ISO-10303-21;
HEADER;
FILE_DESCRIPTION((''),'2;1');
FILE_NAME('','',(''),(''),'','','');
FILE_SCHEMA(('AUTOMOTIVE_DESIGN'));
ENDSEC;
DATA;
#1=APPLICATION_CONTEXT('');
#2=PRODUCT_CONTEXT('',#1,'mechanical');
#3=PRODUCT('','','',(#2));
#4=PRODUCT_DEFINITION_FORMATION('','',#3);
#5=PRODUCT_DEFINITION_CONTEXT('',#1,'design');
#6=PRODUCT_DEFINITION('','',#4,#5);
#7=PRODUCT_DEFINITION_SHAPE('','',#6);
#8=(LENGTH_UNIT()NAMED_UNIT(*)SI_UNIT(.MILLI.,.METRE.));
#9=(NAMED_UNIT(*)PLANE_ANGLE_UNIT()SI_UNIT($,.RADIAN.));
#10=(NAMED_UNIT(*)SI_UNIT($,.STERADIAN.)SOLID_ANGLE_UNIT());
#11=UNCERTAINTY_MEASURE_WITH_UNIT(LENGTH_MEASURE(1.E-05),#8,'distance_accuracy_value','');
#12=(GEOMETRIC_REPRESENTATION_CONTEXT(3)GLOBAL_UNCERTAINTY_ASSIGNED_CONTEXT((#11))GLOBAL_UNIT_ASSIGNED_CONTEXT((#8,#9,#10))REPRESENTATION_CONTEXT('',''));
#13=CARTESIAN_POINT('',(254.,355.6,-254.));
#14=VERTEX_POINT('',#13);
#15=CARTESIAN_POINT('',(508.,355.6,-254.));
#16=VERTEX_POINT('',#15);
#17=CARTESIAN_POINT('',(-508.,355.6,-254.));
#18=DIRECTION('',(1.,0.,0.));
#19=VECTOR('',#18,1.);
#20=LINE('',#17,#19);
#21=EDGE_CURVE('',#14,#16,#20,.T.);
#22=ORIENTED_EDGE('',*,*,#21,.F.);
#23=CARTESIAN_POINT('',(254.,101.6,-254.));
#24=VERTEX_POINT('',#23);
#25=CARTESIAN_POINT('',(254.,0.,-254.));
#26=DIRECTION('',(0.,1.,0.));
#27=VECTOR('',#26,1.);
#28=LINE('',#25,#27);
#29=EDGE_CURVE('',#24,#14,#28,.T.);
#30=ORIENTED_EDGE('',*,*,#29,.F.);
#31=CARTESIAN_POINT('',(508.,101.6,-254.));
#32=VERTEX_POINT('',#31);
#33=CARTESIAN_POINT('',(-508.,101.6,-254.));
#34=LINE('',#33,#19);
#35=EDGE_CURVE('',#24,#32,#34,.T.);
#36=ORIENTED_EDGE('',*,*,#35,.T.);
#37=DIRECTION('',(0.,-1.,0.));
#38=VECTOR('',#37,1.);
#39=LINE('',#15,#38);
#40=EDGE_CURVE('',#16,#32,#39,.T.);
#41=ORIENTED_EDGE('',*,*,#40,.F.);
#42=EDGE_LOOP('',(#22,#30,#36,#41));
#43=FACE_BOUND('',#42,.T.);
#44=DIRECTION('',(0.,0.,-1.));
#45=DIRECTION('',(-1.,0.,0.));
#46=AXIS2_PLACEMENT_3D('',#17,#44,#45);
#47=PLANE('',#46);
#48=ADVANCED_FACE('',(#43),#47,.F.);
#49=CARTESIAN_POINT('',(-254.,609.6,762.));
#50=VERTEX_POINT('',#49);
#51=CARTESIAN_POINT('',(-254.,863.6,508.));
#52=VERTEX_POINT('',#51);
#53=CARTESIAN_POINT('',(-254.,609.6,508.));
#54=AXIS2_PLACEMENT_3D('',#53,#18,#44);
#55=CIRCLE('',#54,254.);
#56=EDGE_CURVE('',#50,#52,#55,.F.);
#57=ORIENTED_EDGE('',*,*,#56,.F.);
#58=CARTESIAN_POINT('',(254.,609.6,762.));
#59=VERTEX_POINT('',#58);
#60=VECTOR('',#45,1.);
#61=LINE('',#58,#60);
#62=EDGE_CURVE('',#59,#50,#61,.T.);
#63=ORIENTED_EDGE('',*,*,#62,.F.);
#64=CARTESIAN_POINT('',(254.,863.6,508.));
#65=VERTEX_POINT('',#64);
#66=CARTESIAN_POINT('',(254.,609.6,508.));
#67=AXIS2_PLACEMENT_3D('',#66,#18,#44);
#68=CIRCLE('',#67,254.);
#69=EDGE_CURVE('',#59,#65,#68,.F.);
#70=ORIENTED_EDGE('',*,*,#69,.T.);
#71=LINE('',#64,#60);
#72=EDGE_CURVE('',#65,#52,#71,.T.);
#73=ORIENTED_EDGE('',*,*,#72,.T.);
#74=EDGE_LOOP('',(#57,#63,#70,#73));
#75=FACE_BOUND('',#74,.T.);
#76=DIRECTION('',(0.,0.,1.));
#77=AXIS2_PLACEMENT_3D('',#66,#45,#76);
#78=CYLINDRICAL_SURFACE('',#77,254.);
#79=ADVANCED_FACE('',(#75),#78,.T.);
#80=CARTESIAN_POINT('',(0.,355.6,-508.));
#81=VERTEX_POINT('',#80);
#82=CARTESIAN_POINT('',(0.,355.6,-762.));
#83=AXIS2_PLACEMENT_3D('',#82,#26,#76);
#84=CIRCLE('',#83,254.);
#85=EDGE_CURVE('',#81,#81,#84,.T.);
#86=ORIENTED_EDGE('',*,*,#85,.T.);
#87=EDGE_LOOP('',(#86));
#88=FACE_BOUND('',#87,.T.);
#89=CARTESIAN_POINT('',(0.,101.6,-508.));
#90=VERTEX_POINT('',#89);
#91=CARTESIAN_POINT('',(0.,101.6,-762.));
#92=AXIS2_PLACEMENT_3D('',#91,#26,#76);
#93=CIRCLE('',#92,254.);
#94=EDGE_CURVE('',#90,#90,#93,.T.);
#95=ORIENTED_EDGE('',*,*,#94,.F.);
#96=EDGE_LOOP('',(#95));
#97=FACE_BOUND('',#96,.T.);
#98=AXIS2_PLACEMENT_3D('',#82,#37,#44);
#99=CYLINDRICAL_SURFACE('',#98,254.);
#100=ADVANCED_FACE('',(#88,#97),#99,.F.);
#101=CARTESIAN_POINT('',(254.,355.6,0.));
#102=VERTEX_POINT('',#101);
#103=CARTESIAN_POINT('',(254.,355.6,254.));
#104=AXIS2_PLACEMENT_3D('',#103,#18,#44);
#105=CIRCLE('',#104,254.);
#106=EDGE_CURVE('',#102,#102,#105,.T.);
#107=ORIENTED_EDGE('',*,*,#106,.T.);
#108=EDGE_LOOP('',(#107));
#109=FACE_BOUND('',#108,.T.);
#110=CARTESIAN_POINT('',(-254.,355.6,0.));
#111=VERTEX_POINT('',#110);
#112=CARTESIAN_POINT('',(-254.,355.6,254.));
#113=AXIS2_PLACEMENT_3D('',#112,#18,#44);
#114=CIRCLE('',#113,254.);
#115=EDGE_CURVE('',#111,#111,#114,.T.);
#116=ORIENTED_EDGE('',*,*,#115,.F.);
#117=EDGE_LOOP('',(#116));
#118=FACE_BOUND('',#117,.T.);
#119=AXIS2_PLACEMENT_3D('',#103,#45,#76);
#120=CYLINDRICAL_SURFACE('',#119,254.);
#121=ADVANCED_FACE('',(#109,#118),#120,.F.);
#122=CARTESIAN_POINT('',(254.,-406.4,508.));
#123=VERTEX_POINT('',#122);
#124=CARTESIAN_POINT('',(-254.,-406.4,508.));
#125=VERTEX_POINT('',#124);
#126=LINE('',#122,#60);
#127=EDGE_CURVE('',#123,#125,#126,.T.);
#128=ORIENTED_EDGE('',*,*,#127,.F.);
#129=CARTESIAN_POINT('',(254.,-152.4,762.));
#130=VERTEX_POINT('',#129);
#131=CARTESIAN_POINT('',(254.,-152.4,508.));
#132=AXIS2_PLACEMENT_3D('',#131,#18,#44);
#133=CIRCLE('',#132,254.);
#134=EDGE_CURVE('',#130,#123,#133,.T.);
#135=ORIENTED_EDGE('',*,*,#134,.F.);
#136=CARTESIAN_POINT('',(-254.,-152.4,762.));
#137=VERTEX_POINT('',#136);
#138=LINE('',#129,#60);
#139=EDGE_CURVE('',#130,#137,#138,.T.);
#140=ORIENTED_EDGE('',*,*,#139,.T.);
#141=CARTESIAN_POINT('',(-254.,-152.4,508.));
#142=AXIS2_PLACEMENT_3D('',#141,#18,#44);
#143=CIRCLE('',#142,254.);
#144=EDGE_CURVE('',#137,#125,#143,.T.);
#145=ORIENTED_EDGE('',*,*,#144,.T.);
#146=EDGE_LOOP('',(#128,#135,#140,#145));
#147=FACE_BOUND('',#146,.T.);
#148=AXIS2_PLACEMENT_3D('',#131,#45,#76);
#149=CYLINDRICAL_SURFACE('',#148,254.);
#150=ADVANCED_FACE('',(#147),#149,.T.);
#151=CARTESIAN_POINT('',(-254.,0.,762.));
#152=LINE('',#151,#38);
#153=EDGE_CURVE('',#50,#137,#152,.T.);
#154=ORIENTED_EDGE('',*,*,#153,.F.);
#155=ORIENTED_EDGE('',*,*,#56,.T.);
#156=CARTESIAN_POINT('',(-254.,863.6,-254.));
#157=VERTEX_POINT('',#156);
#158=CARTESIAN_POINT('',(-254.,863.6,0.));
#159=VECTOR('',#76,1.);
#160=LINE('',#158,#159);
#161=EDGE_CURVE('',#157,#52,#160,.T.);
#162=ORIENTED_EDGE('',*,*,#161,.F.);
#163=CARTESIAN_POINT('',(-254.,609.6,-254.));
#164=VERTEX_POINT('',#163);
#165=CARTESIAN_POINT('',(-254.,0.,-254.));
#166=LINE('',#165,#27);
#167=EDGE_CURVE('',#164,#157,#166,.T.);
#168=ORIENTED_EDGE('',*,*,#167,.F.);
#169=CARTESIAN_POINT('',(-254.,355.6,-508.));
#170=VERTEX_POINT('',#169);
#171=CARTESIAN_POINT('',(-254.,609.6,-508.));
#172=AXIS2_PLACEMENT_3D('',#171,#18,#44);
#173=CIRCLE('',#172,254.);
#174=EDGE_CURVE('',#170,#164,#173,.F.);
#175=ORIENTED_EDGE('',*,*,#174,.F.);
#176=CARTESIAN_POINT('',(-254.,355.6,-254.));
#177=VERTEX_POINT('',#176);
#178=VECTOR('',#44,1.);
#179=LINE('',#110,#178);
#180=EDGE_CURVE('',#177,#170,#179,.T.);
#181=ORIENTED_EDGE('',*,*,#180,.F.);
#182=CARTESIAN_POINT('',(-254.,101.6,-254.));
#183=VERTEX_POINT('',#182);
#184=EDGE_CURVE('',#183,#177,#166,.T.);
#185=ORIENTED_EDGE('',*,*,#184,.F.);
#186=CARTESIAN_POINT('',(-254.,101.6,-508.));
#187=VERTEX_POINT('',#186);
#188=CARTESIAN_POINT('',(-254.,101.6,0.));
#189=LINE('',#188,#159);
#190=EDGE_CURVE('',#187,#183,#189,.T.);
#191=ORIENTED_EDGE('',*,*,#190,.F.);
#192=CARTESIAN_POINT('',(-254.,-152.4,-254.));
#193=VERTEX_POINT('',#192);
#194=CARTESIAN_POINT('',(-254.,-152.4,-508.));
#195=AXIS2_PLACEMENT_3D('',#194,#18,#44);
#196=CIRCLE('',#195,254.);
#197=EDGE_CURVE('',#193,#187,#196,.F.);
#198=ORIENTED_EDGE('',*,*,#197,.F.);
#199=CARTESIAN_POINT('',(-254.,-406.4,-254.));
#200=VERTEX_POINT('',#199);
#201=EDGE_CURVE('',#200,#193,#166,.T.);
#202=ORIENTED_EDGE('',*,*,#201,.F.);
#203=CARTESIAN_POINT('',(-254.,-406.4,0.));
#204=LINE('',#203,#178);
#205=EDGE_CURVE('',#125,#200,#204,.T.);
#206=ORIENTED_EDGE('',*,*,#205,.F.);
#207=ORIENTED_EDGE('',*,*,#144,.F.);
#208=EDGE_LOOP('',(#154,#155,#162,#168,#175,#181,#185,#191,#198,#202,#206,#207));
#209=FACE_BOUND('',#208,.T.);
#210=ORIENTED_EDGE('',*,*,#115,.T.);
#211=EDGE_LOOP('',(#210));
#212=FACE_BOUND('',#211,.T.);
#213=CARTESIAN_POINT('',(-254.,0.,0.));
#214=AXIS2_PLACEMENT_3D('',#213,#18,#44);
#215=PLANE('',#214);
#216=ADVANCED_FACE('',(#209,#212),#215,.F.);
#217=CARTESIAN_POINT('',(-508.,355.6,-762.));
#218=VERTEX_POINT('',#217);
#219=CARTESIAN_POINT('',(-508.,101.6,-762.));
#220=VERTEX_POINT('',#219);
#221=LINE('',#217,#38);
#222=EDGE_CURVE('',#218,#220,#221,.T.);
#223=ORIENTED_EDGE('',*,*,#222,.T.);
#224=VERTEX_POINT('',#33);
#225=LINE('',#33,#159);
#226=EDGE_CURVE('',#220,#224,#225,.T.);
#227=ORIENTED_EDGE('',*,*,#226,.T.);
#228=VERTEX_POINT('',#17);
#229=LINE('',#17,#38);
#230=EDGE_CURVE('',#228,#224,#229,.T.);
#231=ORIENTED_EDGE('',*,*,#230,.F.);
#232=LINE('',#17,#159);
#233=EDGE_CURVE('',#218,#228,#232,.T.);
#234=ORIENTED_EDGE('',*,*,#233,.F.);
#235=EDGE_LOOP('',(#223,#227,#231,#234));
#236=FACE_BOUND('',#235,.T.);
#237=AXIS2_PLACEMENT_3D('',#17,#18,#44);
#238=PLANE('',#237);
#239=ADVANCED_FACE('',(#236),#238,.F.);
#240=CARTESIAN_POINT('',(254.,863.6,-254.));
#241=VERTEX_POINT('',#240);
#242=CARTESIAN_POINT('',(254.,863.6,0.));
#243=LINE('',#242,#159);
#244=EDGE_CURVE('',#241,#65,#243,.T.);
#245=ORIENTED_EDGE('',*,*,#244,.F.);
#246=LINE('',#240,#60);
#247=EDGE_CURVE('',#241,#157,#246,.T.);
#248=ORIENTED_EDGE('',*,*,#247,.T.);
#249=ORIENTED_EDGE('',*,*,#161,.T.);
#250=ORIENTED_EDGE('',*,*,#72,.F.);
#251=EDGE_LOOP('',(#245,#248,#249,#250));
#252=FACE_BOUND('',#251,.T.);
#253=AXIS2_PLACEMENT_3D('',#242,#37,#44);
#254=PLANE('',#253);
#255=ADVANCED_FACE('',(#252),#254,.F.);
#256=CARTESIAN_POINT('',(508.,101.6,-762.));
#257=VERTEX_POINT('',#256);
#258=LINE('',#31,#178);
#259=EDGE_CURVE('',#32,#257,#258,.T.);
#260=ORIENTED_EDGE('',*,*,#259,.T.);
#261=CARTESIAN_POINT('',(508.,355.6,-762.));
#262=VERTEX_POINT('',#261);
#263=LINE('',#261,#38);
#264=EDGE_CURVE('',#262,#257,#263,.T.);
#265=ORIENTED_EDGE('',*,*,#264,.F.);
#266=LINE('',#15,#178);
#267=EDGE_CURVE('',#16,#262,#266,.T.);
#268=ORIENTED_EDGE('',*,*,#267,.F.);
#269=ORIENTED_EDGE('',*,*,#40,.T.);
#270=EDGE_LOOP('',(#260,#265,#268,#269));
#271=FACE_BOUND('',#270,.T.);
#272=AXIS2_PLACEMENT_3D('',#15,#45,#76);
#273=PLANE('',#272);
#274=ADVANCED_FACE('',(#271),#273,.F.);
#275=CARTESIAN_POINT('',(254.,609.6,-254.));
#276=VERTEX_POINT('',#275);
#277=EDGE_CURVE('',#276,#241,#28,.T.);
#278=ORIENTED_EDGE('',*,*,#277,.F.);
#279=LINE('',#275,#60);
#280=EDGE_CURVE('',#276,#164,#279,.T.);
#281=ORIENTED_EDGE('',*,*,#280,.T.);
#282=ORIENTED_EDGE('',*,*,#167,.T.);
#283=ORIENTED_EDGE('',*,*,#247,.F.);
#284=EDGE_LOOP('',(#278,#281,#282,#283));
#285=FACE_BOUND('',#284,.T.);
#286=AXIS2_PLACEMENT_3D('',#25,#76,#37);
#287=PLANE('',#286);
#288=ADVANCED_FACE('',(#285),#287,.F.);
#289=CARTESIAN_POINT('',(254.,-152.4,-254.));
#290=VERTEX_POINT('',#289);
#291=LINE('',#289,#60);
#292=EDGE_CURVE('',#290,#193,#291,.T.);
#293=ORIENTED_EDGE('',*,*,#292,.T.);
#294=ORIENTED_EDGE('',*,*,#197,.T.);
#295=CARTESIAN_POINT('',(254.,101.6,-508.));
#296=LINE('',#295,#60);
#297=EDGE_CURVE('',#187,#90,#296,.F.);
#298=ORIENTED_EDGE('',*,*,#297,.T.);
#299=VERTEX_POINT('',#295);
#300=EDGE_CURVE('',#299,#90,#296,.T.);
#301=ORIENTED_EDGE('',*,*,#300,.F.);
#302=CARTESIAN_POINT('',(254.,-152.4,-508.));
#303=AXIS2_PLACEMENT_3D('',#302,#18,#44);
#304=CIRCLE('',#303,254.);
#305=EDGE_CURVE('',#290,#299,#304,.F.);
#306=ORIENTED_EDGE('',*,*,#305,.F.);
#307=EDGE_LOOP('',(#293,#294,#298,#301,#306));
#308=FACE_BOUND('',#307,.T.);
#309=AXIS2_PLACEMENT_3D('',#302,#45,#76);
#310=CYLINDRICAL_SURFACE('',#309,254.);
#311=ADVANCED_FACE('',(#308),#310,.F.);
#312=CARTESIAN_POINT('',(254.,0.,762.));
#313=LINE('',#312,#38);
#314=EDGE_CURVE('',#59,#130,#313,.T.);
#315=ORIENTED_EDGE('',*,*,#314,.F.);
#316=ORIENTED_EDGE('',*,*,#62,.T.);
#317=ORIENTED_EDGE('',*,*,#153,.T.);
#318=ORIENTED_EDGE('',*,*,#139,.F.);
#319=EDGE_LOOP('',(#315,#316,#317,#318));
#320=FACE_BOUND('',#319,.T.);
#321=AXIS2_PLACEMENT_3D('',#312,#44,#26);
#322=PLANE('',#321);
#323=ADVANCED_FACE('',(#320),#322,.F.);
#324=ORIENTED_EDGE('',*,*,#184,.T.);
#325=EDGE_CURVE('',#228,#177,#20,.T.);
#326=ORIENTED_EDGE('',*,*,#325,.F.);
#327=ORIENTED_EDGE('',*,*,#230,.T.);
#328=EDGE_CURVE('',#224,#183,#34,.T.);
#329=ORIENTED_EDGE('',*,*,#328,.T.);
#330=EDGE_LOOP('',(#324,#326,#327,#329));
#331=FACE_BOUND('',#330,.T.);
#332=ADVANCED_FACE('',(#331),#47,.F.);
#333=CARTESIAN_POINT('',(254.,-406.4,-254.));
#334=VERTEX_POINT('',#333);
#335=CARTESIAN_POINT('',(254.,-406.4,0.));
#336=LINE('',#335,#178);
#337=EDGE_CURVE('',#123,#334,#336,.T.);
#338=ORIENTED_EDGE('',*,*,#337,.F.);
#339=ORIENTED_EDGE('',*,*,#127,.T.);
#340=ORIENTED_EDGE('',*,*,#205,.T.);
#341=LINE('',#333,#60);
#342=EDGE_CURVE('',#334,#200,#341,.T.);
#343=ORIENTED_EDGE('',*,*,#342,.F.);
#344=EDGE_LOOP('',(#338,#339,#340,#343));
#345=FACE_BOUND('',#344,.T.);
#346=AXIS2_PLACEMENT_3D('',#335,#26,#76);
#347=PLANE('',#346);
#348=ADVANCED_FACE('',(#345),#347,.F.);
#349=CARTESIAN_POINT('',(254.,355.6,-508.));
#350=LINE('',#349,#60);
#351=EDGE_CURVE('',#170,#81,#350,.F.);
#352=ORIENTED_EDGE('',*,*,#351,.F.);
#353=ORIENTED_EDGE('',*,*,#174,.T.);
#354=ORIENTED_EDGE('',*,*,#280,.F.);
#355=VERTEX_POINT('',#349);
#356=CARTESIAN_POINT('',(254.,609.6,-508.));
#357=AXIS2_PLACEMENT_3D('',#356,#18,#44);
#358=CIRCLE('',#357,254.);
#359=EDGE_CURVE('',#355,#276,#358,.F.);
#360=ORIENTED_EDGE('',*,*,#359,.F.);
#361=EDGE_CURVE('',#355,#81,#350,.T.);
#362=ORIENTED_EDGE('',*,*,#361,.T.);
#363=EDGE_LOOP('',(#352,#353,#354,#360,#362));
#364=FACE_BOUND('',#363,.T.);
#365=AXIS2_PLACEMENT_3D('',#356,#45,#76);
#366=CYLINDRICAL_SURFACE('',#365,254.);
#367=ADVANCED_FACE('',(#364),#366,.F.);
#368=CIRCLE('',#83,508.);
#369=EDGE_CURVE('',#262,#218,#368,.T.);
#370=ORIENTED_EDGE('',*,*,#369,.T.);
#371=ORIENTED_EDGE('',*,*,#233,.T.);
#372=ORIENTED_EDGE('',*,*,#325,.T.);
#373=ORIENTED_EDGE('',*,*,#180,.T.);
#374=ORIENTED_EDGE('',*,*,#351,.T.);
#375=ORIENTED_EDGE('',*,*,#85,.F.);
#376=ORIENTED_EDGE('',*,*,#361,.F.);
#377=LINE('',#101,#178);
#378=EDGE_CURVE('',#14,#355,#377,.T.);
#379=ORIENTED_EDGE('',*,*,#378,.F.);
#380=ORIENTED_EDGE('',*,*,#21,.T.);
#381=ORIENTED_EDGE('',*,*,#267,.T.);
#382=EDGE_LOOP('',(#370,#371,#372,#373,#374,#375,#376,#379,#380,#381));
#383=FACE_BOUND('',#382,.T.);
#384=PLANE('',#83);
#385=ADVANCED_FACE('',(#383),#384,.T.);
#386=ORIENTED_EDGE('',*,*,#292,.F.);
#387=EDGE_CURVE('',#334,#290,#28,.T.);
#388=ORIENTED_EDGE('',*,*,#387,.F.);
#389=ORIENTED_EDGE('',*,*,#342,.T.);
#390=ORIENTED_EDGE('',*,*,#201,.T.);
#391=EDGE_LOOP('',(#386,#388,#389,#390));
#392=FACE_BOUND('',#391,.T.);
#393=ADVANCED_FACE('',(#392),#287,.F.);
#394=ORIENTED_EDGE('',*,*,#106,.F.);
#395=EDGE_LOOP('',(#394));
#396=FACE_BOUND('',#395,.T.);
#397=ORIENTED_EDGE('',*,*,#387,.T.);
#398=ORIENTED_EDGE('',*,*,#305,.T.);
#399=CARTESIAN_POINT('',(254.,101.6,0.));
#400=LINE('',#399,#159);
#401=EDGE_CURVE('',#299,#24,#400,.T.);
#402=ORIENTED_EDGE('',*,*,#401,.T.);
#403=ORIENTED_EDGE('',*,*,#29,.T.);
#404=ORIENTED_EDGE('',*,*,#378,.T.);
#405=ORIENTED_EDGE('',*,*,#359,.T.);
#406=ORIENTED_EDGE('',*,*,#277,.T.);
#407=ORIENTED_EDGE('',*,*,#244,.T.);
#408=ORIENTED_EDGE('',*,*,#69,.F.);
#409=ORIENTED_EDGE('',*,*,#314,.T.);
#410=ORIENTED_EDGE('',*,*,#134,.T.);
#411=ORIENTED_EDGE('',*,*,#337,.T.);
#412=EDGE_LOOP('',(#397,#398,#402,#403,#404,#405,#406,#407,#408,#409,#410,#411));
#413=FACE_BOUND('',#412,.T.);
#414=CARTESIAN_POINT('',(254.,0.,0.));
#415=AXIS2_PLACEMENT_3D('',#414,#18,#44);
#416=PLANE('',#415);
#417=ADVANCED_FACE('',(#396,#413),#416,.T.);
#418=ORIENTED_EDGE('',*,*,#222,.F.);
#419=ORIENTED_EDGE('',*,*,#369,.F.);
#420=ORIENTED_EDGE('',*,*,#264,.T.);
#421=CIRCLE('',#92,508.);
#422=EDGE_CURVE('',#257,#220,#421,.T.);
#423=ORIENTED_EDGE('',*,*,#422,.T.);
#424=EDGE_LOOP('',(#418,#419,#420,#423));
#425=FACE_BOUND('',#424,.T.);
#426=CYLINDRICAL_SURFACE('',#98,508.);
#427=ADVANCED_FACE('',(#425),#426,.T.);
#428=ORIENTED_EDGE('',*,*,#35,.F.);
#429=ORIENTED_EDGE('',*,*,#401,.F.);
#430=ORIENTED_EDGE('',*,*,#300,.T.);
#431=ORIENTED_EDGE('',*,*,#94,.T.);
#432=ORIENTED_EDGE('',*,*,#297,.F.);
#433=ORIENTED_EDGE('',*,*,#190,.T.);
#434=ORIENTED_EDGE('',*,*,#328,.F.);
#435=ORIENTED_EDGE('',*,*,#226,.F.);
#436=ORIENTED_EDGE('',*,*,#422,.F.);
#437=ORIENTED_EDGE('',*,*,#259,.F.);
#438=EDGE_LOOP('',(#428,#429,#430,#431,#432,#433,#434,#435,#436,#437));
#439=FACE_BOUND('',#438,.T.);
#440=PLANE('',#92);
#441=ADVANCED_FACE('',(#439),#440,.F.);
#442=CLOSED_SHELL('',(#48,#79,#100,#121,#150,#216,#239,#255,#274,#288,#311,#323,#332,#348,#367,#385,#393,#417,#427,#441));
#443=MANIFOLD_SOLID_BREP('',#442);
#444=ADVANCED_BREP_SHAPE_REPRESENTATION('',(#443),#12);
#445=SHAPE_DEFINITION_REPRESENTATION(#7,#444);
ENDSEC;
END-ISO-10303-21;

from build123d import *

# Parameters (mm, degrees)
SKETCH1_R           = 254
BOSS_EXTRUDE2_DEPTH = 254
SKETCH3_R           = 254
BOSS_EXTRUDE3_DEPTH = 254


with BuildPart() as part:
    # Sketch1 → Boss-Extrude2 (new, symmetric)
    with BuildSketch(Plane(origin=(0, 0, 0), x_dir=(0, 0, -1), z_dir=(1, 0, 0))):
        with BuildLine():
            ThreePointArc((-508, 863.6), (-687.605122421, 789.205122421), (-762, 609.6))
            Line((-762, 609.6), (-762, -152.4))
            ThreePointArc((-762, -152.4), (-687.605122421, -332.005122421), (-508, -406.4))
            Line((-508, -406.4), (254, -406.4))
            Line((254, -406.4), (254, -152.4))
            ThreePointArc((254, -152.4), (328.394877579, 27.205122421), (508, 101.6))
            Line((508, 101.6), (254, 101.6))
            Line((254, 101.6), (254, 355.6))
            Line((254, 355.6), (508, 355.6))
            ThreePointArc((508, 355.6), (328.394877579, 429.994877579), (254, 609.6))
            Line((254, 609.6), (254, 863.6))
            Line((254, 863.6), (-508, 863.6))
        make_face()
        with Locations((-254, 355.6)):
            Circle(SKETCH1_R, mode=Mode.SUBTRACT)
    extrude(amount=BOSS_EXTRUDE2_DEPTH, both=True)

    # Sketch3 → Boss-Extrude3 (add)
    with BuildSketch(Plane(origin=(0, 101.6, 0), x_dir=(1, 0, 0), z_dir=(0, 1, 0))):
        with BuildLine():
            Line((-508, 254), (508, 254))
            Line((508, 254), (508, 762))
            ThreePointArc((508, 762), (0, 1270), (-508, 762))
            Line((-508, 762), (-508, 254))
        make_face()
        with Locations((0, 762)):
            Circle(SKETCH3_R, mode=Mode.SUBTRACT)
    extrude(amount=BOSS_EXTRUDE3_DEPTH)


solid = part.part
